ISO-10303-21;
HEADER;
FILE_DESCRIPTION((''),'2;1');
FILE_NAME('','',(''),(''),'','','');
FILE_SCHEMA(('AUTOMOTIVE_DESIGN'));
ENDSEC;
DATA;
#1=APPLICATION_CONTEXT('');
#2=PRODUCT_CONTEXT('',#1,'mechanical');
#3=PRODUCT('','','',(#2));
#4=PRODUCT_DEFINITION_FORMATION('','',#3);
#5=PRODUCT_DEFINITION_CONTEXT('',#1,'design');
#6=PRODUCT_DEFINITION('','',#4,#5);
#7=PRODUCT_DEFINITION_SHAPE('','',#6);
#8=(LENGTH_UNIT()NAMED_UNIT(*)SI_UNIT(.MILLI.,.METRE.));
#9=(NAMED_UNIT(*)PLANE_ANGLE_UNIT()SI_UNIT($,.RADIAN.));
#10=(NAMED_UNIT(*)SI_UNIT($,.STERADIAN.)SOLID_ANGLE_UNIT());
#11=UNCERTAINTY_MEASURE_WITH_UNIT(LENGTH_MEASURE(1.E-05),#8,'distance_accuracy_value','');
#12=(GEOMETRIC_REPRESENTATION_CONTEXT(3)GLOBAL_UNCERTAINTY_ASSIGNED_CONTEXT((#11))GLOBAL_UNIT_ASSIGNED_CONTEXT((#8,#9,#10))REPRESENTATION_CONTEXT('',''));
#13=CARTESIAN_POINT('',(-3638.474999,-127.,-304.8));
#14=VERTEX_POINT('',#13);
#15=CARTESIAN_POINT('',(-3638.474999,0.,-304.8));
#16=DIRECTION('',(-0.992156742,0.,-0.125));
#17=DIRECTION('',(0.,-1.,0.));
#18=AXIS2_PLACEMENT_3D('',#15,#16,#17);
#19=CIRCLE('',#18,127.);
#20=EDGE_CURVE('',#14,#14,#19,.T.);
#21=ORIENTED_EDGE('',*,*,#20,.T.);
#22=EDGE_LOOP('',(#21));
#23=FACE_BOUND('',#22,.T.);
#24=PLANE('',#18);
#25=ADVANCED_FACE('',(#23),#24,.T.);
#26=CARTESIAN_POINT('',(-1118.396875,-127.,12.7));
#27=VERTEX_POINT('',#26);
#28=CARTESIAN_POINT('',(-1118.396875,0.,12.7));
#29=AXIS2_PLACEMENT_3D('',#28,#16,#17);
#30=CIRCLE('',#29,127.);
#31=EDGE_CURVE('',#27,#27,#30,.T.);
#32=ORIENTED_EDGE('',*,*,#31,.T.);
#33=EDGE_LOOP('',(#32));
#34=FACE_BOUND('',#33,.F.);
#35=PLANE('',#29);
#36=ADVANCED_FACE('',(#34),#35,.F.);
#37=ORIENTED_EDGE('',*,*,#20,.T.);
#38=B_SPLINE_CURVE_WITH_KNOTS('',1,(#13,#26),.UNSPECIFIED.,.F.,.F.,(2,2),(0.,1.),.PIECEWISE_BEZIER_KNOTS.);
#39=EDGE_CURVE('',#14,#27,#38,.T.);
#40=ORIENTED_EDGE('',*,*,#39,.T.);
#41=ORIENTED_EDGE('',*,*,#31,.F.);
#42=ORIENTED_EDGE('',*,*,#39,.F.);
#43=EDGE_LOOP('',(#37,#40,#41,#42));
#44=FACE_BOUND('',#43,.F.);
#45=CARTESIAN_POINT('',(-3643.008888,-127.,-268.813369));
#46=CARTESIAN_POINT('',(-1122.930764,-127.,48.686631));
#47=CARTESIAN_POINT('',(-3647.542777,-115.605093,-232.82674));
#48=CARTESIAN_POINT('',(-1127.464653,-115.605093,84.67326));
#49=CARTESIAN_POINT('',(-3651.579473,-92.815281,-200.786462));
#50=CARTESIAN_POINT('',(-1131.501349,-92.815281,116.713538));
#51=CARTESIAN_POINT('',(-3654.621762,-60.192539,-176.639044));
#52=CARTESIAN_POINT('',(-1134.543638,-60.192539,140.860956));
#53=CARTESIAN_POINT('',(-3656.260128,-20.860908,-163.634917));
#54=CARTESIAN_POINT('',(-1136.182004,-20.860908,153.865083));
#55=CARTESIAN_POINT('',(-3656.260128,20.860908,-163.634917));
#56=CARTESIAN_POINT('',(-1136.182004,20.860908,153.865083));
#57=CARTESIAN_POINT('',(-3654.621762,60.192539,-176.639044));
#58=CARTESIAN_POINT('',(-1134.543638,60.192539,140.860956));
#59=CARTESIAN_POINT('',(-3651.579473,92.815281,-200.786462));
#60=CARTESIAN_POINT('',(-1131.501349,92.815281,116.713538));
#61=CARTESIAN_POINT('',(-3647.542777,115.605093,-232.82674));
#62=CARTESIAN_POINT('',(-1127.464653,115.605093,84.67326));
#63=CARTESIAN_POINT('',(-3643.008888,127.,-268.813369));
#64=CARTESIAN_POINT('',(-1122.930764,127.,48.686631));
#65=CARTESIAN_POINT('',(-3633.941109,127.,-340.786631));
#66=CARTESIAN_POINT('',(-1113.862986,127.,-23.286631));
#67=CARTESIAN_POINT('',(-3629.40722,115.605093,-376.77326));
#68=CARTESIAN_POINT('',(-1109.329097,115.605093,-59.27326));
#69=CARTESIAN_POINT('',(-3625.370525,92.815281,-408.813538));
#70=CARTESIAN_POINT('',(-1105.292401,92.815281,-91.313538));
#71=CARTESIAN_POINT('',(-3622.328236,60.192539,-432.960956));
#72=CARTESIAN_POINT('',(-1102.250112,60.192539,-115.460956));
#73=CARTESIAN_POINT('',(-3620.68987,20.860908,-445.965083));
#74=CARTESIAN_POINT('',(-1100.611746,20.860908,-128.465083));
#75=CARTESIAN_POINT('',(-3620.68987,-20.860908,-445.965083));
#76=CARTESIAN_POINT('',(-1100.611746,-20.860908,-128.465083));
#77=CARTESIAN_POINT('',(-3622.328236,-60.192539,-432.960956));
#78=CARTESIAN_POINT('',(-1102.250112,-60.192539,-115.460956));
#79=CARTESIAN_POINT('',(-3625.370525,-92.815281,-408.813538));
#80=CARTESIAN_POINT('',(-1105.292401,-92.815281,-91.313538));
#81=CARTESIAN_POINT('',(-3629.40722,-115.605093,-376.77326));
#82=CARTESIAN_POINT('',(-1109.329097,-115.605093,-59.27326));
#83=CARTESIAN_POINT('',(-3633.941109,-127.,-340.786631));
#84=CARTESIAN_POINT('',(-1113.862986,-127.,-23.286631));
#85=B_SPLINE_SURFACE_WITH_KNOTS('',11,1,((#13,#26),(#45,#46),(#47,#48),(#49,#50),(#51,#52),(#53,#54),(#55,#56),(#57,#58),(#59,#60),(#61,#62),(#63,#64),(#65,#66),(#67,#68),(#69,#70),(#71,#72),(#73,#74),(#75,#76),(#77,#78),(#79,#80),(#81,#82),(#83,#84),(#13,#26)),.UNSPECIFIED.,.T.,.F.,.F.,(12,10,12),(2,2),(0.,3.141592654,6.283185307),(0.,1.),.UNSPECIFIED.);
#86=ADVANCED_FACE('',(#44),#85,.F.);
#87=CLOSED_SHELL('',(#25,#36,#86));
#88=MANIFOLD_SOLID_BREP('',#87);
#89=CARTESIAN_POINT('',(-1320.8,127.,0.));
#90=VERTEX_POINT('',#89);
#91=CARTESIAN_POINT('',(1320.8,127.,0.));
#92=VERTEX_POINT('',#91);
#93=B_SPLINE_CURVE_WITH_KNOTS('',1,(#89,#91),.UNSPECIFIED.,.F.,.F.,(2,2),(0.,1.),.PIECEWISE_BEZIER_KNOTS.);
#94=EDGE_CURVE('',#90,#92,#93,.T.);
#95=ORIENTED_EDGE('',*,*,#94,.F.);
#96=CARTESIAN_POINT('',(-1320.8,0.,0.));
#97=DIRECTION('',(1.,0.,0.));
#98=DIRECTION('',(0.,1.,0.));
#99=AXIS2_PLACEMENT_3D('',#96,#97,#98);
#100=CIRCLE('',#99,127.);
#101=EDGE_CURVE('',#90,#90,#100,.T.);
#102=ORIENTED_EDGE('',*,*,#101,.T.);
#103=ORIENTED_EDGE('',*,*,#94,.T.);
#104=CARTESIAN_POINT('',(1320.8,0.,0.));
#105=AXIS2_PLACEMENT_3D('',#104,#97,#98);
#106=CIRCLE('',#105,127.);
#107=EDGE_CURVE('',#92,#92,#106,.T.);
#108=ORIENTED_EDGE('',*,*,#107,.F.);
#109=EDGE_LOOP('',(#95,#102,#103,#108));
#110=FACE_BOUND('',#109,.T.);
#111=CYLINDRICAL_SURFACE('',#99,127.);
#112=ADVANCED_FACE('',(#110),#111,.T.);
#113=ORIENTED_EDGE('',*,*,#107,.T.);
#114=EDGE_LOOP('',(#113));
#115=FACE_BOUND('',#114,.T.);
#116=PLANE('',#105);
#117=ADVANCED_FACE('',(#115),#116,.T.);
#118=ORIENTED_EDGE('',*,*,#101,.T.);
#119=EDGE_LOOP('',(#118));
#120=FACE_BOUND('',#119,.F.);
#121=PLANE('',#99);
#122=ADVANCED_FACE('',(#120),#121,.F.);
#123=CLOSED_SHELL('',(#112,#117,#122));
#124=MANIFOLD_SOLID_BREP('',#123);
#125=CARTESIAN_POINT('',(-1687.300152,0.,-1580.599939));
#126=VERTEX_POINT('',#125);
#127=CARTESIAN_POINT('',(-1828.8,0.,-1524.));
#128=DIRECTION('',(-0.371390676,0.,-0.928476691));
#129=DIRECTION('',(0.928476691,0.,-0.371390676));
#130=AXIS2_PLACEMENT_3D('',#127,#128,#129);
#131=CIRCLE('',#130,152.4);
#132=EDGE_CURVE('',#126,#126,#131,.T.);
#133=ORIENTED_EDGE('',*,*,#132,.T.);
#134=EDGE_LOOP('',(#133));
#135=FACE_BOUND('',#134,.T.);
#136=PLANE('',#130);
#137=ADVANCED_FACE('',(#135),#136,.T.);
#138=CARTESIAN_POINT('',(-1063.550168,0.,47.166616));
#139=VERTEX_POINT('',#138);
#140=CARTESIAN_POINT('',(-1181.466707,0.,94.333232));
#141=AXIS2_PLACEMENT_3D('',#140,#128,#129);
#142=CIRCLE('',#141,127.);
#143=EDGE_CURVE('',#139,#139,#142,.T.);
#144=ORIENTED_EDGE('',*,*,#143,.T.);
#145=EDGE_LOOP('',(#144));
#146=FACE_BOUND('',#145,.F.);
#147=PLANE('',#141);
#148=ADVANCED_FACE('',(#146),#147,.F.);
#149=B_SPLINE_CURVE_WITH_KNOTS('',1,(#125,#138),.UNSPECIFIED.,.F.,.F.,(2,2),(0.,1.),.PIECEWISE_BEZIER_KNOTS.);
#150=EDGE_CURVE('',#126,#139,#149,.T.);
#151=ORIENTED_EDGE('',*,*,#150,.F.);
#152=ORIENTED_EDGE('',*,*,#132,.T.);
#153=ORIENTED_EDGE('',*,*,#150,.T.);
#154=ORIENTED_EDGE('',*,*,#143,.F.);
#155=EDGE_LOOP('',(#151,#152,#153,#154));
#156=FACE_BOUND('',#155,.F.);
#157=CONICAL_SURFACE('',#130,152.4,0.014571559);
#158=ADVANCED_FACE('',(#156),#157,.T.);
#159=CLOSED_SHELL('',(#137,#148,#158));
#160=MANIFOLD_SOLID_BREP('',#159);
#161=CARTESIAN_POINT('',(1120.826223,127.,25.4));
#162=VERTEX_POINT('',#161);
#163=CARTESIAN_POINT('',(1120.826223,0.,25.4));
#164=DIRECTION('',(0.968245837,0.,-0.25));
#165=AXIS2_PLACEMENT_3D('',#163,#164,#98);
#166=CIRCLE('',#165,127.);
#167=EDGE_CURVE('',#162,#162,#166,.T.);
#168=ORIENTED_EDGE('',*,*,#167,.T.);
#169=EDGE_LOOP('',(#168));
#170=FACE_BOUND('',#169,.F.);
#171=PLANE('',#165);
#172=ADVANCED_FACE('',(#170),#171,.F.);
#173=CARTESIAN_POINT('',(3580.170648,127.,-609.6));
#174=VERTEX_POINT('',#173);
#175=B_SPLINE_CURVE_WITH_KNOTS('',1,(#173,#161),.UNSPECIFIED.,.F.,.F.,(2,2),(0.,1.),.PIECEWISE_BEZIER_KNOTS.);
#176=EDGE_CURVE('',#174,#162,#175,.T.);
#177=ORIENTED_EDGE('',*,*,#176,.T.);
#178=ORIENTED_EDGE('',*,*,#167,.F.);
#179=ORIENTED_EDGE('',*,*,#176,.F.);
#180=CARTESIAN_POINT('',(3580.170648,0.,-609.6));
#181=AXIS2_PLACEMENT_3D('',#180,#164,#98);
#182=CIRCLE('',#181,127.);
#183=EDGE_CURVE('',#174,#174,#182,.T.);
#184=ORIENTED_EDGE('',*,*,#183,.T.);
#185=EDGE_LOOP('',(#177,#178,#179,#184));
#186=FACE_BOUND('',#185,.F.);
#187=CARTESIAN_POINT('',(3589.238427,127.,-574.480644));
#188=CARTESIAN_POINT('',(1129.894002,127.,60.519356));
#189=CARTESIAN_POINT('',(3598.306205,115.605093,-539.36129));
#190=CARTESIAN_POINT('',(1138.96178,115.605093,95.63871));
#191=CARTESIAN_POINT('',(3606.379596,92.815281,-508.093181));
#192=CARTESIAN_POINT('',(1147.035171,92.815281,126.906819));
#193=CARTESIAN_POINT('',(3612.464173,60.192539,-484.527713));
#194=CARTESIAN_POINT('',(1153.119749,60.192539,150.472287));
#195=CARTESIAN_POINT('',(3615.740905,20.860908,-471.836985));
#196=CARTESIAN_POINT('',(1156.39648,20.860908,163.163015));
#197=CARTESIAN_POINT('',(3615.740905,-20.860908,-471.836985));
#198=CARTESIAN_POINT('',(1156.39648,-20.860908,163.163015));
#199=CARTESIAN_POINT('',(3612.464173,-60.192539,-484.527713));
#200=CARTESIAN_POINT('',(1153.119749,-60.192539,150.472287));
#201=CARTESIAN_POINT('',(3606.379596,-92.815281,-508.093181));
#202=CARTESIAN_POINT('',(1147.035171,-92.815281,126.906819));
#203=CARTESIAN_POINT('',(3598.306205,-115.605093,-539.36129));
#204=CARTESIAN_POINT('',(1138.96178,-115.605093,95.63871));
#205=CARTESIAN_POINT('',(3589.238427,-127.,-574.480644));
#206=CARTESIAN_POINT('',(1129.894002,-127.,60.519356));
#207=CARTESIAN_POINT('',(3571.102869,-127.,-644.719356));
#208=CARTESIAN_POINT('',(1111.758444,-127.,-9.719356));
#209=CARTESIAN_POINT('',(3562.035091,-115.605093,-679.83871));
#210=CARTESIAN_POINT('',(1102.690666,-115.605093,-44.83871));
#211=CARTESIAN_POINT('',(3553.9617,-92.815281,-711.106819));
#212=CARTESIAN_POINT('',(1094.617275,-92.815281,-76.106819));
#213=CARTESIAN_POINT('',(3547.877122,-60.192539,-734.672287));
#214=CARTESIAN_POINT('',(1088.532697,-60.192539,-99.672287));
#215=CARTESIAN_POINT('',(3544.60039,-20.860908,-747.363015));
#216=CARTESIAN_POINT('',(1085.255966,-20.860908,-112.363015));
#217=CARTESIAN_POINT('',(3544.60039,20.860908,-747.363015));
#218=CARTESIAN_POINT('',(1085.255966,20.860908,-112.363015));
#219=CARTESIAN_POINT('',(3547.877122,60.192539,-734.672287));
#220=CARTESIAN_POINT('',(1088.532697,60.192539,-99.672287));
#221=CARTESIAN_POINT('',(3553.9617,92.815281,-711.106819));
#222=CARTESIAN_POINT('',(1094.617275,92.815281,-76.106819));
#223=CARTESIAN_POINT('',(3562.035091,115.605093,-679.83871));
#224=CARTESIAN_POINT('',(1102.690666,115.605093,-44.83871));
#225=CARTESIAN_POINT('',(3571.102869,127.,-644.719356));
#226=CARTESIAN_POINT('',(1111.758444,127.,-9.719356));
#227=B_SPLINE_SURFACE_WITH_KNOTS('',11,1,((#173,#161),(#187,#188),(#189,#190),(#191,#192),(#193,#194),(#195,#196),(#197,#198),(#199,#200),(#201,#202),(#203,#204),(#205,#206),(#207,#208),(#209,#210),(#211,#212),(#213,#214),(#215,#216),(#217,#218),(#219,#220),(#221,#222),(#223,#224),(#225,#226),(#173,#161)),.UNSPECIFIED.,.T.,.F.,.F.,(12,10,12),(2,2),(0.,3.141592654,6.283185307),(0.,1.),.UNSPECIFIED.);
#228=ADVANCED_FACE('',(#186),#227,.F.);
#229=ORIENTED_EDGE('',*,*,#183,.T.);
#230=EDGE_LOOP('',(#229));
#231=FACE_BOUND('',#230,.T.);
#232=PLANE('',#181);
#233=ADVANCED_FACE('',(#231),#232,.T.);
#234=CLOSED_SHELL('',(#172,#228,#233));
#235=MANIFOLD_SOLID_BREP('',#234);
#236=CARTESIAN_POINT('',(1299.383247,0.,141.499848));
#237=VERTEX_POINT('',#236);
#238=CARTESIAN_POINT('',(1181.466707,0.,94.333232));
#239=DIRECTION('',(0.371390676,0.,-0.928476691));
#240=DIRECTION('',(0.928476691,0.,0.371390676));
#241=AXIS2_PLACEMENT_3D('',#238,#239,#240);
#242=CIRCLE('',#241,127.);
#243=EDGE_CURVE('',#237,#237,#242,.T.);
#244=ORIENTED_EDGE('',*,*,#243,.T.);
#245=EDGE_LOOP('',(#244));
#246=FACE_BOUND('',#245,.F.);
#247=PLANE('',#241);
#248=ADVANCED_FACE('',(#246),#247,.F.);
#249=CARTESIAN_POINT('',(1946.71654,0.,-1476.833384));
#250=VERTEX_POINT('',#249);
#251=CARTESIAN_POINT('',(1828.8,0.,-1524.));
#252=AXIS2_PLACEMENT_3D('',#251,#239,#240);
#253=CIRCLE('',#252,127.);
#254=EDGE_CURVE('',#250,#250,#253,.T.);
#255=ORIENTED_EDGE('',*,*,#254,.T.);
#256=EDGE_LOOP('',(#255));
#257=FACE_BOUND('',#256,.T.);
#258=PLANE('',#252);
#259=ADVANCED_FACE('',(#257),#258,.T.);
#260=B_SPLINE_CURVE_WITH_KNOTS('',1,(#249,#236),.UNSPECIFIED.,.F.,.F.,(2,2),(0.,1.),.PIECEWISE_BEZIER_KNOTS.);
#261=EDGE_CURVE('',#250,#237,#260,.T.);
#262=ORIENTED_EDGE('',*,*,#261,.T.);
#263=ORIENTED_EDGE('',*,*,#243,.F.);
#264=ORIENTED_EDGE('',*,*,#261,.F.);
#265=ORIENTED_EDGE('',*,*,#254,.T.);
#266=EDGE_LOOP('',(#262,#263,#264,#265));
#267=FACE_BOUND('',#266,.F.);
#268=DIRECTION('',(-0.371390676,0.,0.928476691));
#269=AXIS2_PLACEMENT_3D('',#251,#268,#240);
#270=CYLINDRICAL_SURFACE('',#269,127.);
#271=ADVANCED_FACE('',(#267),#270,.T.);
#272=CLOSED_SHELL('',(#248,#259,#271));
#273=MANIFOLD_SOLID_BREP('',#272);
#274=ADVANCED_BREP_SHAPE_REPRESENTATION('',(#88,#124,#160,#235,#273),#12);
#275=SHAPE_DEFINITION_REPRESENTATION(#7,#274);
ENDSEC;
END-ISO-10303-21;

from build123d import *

# Parameters (mm, degrees)
F3_R  = 127
F4_R  = 127
F8_R  = 152.4
F9_R  = 127
F14_R = 127
F13_R = 127
F18_R = 127
F19_R = 127
F24_R = 127
F23_R = 127


with BuildPart() as f5:
    # F3 (on line) → F5 section 0
    with BuildSketch(Plane(origin=(-3619.4249988375, 0, -456.0046874273), x_dir=(0, -1, 0), z_dir=(-0.9921567416, 0, -0.125))):
        with Locations((0, 152.4)):
            Circle(F3_R)
    # F4 (on line) → F5 section 1
    with BuildSketch(Plane(origin=(-1099.3468750484, 0, -138.5046874273), x_dir=(0, -1, 0), z_dir=(-0.9921567416, 0, -0.125))):
        with Locations((0, 152.4)):
            Circle(F4_R)
    loft()


with BuildPart() as f10:
    # F8 (on line) → F10 section 0
    with BuildSketch(Plane(origin=(-777.7655172414, 0, -1944.4137931034), x_dir=(0.9284766909, 0, -0.3713906764), z_dir=(-0.3713906764, 0, -0.9284766909))):
        with Locations((-1131.9987815273, 0)):
            Circle(F8_R)
    # F9 (on line) → F10 section 1
    with BuildSketch(Plane(origin=(-130.4322245238, 0, -326.0805613095), x_dir=(0.9284766909, 0, -0.3713906764), z_dir=(-0.3713906764, 0, -0.9284766909))):
        with Locations((-1131.9987815273, 0)):
            Circle(F9_R)
    loft()


with BuildPart() as f15:
    # F14 (on line) → F15 section 0
    with BuildSketch(Plane.YZ.offset(-1320.8)):
        Circle(F14_R)
    # F13 (on line) → F15 section 1
    with BuildSketch(Plane.YZ.offset(1320.8)):
        Circle(F13_R)
    loft()


with BuildPart() as f20:
    # F18 (on line) → F20 section 0
    with BuildSketch(Plane(origin=(3503.970647848, 0, -904.721330981), x_dir=(0, 1, 0), z_dir=(0.9682458366, 0, -0.25))):
        with Locations((0, 304.8)):
            Circle(F18_R)
    # F19 (on line) → F20 section 1
    with BuildSketch(Plane(origin=(1044.6262230063, 0, -269.721330981), x_dir=(0, 1, 0), z_dir=(0.9682458366, 0, -0.25))):
        with Locations((0, 304.8)):
            Circle(F19_R)
    loft()


with BuildPart() as f25:
    # F24 (on line) → F25 section 0
    with BuildSketch(Plane(origin=(777.7655172414, 0, -1944.4137931034), x_dir=(0.9284766909, 0, 0.3713906764), z_dir=(0.3713906764, 0, -0.9284766909))):
        with Locations((1131.9987815273, 0)):
            Circle(F24_R)
    # F23 (on line) → F25 section 1
    with BuildSketch(Plane(origin=(130.4322245238, 0, -326.0805613095), x_dir=(0.9284766909, 0, 0.3713906764), z_dir=(0.3713906764, 0, -0.9284766909))):
        with Locations((1131.9987815273, 0)):
            Circle(F23_R)
    loft()


solid = Compound([f5.part, f10.part, f15.part, f20.part, f25.part])
